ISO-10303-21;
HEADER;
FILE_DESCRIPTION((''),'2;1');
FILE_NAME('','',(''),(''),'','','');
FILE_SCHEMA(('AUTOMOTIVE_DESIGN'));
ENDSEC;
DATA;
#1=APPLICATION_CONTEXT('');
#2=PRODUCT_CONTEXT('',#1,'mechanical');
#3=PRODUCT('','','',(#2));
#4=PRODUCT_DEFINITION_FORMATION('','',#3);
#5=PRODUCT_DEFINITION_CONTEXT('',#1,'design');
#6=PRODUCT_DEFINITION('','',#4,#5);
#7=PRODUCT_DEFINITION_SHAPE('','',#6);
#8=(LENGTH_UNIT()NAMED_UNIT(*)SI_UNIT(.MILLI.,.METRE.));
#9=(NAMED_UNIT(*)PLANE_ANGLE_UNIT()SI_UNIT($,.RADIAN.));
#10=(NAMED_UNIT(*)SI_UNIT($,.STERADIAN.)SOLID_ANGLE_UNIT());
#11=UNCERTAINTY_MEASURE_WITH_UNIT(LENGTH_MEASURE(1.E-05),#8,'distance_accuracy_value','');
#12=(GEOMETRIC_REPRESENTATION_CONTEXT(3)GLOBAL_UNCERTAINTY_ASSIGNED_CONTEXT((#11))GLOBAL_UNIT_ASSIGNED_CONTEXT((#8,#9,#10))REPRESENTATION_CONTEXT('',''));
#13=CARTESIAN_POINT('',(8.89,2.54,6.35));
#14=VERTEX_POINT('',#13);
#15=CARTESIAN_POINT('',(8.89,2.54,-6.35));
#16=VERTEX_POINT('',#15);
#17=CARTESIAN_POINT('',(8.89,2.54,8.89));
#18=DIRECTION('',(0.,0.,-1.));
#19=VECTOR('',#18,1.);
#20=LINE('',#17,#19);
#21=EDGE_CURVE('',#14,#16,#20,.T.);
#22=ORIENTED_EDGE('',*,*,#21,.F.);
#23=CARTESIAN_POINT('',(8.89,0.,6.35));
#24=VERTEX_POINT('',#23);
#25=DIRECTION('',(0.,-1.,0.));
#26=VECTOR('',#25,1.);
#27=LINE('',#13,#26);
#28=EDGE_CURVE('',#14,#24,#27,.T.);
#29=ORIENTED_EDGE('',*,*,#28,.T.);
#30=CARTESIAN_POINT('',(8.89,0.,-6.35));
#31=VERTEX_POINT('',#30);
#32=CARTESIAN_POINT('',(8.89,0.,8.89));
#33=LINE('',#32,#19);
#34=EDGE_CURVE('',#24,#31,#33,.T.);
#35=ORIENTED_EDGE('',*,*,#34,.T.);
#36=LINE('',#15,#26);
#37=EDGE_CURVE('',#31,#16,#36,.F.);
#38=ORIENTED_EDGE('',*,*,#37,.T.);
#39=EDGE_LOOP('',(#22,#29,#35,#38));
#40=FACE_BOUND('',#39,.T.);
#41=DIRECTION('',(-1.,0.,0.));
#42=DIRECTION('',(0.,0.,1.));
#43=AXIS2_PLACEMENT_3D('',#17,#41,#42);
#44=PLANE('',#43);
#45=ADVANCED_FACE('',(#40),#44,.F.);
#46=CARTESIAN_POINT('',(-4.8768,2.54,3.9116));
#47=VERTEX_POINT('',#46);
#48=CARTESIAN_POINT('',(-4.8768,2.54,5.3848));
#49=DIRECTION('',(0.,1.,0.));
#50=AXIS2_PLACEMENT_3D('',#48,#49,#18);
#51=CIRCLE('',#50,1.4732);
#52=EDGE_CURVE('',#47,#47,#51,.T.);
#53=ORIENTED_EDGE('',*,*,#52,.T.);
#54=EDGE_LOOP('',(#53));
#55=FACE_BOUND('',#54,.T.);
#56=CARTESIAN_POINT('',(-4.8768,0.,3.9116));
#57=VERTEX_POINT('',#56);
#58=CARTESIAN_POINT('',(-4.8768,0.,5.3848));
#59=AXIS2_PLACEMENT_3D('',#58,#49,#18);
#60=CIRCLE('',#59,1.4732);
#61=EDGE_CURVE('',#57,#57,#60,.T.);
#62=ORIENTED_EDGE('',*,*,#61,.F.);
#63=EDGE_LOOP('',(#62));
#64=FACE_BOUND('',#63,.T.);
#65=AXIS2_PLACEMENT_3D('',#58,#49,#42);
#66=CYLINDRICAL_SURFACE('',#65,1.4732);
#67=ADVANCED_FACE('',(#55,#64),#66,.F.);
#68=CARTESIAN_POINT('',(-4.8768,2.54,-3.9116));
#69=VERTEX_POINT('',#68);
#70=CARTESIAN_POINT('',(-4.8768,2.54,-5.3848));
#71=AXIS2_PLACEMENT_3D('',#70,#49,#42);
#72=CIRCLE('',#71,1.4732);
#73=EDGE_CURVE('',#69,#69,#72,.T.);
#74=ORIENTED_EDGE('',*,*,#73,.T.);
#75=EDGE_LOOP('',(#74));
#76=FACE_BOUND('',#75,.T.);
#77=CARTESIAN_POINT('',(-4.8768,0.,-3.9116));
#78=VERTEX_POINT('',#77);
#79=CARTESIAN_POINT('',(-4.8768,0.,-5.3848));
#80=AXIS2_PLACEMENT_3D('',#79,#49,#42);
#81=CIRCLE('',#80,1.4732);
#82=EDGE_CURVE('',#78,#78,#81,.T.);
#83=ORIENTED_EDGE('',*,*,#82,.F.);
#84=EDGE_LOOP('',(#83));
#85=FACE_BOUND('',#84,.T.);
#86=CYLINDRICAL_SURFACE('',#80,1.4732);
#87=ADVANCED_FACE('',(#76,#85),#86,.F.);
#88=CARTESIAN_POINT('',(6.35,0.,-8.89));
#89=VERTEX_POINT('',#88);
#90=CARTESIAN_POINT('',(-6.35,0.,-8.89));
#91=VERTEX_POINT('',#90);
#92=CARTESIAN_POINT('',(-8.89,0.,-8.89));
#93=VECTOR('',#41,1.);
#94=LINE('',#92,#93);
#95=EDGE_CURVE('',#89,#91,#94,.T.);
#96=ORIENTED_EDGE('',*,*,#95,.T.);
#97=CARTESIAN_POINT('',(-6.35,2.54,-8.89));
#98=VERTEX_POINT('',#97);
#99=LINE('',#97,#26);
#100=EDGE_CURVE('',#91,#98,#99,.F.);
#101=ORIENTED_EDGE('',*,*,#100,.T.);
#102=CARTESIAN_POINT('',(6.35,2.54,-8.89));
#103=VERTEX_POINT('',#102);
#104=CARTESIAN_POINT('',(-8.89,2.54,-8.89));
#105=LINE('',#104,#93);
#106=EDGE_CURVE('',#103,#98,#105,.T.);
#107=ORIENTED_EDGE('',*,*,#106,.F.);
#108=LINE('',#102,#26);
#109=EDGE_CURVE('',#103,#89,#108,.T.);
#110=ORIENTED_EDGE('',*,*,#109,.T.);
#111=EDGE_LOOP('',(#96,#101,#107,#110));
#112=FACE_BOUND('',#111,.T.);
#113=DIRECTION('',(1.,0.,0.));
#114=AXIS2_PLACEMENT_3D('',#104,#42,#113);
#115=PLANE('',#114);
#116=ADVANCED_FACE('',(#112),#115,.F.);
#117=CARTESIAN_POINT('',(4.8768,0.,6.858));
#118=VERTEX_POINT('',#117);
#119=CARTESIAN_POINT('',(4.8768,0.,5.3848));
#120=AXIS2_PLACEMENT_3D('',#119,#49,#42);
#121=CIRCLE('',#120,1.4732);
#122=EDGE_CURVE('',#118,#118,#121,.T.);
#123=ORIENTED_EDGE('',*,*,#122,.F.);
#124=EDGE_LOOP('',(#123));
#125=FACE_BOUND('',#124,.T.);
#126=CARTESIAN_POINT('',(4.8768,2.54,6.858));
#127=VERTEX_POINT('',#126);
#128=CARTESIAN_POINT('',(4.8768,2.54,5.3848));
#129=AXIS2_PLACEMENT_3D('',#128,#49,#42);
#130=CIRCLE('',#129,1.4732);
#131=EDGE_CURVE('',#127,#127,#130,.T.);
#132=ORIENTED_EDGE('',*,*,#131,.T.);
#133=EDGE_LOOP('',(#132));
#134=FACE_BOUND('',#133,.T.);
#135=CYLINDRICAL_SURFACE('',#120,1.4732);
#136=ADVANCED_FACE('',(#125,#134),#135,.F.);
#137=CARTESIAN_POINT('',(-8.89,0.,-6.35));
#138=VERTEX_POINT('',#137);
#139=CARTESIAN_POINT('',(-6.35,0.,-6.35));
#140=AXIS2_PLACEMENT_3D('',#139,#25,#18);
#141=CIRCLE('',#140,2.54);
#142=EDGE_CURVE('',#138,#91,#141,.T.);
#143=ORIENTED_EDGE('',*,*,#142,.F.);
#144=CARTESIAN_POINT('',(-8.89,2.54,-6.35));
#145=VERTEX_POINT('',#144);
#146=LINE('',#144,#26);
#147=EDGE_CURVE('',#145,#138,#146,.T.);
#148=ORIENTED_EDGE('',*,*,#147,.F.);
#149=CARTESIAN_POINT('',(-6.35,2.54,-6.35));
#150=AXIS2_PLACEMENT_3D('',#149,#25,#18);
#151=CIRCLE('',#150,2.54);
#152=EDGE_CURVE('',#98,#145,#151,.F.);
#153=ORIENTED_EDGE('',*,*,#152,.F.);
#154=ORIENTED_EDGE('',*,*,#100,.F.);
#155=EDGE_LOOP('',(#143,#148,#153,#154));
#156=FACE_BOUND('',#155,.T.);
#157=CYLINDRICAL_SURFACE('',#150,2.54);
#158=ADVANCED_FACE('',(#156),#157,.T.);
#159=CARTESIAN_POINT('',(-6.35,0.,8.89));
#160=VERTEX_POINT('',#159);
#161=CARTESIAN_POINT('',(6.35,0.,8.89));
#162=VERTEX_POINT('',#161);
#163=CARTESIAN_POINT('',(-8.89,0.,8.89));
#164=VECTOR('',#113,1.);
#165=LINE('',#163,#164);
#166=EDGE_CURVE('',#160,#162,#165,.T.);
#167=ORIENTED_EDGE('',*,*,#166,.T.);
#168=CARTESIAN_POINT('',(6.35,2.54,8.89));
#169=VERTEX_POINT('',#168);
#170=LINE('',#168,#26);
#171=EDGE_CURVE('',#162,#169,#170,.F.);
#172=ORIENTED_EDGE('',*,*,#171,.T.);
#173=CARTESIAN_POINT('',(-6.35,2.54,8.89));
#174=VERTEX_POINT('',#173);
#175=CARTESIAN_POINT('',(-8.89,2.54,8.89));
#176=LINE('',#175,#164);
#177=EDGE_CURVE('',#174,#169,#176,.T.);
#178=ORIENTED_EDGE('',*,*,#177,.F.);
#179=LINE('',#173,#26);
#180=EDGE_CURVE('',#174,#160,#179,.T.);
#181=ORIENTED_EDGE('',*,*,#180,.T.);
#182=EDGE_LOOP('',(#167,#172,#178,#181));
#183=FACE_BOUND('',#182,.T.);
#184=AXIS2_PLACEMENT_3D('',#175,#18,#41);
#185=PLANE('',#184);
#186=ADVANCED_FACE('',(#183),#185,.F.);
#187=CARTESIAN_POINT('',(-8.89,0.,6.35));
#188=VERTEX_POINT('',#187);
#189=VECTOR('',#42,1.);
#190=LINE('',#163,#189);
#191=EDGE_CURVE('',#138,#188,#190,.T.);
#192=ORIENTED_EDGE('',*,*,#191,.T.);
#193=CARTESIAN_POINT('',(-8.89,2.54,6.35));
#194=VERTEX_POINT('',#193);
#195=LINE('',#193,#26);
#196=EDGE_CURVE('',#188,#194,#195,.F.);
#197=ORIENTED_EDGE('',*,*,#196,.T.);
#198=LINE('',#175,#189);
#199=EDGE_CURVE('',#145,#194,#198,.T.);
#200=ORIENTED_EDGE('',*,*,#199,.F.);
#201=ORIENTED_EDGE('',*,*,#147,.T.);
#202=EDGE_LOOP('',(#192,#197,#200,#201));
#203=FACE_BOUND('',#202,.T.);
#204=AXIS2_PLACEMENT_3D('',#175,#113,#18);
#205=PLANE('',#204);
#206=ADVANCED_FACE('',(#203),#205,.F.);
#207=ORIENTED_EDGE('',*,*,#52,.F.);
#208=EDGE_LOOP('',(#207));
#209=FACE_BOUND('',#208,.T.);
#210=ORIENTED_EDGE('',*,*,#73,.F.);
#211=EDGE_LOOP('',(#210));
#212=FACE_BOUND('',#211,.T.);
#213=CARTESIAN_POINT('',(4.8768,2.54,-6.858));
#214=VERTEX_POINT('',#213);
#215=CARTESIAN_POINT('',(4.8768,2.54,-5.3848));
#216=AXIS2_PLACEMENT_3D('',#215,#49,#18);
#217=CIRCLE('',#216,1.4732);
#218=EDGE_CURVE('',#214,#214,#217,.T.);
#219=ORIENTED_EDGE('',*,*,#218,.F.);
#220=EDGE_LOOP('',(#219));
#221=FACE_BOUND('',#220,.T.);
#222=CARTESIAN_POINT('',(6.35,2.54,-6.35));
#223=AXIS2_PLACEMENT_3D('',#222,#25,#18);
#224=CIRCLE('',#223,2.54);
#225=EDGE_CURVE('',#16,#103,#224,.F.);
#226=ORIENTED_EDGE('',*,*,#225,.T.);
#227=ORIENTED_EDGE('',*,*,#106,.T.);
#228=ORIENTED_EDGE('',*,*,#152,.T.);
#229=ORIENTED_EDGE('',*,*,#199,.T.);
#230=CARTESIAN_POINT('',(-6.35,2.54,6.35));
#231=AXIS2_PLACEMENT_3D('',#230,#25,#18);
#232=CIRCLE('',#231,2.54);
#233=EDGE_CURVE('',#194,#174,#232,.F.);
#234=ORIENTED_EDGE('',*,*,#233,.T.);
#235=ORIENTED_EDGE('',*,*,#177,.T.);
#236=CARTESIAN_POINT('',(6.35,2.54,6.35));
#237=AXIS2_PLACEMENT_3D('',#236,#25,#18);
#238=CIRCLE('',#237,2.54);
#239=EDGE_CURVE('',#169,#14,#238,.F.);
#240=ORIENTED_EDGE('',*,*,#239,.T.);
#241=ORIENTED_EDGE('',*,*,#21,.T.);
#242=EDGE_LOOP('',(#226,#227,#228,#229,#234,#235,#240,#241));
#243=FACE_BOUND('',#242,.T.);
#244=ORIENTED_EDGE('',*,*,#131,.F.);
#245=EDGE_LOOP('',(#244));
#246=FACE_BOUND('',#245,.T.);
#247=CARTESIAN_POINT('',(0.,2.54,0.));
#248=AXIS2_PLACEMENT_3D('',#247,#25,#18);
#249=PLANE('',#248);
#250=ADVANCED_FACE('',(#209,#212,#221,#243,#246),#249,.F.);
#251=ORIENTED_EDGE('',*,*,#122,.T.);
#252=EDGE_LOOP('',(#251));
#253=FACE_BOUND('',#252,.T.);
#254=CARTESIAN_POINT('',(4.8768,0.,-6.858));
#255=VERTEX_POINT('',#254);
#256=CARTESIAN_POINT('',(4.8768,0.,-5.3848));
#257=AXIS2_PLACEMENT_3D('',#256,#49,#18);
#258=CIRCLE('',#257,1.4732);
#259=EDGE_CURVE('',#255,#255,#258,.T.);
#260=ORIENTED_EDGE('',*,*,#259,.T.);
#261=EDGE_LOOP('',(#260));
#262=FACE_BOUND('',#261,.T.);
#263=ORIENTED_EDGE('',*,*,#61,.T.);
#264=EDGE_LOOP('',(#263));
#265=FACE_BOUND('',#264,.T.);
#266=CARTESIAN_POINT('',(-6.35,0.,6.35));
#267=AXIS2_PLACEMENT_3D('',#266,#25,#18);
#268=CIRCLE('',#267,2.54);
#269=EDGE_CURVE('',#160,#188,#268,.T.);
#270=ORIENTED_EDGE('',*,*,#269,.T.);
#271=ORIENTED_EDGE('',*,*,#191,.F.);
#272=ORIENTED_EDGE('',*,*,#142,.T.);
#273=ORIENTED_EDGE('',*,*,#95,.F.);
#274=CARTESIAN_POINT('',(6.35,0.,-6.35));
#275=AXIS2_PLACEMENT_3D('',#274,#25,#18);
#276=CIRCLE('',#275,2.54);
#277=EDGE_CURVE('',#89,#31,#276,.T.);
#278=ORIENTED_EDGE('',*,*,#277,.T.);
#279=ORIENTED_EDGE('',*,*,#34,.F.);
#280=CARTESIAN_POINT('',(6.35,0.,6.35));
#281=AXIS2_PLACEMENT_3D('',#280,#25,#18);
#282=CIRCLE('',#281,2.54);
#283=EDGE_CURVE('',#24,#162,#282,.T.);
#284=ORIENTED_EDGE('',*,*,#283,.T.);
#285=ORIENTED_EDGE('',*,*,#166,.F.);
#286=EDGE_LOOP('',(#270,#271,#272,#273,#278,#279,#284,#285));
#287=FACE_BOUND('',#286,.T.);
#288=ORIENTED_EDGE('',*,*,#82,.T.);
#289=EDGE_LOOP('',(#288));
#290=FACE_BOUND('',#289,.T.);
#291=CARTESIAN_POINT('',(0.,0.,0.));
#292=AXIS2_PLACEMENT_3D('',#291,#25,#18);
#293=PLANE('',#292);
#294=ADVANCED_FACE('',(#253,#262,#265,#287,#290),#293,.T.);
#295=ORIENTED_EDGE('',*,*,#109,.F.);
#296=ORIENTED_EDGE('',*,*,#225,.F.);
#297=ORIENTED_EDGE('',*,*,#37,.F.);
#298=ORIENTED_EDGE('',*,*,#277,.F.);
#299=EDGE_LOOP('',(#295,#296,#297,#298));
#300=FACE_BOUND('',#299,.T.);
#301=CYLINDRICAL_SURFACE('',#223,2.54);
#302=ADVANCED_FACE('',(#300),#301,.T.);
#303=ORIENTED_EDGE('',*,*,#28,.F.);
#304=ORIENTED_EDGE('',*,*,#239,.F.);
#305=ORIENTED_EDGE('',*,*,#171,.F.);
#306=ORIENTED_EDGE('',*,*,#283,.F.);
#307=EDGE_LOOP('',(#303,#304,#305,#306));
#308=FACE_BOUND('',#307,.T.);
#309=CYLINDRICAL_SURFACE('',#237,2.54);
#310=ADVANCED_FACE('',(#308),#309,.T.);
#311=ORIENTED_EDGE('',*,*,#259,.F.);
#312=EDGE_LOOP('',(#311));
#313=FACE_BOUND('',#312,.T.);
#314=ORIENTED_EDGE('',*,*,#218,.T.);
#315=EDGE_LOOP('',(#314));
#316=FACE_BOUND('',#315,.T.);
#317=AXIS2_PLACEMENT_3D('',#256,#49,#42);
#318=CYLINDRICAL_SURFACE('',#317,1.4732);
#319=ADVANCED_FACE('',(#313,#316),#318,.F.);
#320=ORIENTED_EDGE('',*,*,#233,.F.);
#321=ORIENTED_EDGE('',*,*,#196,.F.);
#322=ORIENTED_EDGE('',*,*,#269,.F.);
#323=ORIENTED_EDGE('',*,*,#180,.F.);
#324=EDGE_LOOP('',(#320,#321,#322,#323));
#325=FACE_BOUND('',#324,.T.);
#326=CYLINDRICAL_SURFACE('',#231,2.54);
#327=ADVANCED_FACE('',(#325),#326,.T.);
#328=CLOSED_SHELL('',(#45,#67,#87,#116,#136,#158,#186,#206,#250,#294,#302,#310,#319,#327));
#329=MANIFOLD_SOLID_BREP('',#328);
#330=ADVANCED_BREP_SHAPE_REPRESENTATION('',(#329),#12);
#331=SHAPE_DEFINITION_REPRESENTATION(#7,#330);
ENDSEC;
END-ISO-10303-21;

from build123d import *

# Parameters (mm, degrees)
SKETCH1_W           = 17.78
SKETCH1_H           = 17.78
BOSS_EXTRUDE1_DEPTH = 2.54
SKETCH2_R           = 1.4732
CUT_EXTRUDE1_DEPTH  = 3.54
FILLET1_R           = 2.54


with BuildPart() as part:
    # Sketch1 → Boss-Extrude1 (new body)
    with BuildSketch(Plane(origin=(0, 0, 0), x_dir=(1, 0, 0), z_dir=(0, 1, 0))):
        Rectangle(SKETCH1_W, SKETCH1_H)
    extrude(amount=BOSS_EXTRUDE1_DEPTH)

    # Sketch2 → Cut-Extrude1 (cut, through all)
    with BuildSketch(Plane(origin=(0, 2.54, 0), x_dir=(1, 0, 0), z_dir=(0, 1, 0))):
        with Locations((-4.8768, 5.3848)):
            Circle(SKETCH2_R)
        with Locations((-4.8768, -5.3848)):
            Circle(SKETCH2_R)
        with Locations((4.8768, -5.3848)):
            Circle(SKETCH2_R)
        with Locations((4.8768, 5.3848)):
            Circle(SKETCH2_R)
    extrude(amount=-CUT_EXTRUDE1_DEPTH, mode=Mode.SUBTRACT)

    # Fillet1
    fillet1_edges = [part.edges().sort_by_distance(p)[0] for p in [
        (8.89, 1.27, 8.89),
        (-8.89, 1.27, 8.89),
        (-8.89, 1.27, -8.89),
        (8.89, 1.27, -8.89),
    ]]
    fillet(fillet1_edges, radius=FILLET1_R)


solid = part.part
